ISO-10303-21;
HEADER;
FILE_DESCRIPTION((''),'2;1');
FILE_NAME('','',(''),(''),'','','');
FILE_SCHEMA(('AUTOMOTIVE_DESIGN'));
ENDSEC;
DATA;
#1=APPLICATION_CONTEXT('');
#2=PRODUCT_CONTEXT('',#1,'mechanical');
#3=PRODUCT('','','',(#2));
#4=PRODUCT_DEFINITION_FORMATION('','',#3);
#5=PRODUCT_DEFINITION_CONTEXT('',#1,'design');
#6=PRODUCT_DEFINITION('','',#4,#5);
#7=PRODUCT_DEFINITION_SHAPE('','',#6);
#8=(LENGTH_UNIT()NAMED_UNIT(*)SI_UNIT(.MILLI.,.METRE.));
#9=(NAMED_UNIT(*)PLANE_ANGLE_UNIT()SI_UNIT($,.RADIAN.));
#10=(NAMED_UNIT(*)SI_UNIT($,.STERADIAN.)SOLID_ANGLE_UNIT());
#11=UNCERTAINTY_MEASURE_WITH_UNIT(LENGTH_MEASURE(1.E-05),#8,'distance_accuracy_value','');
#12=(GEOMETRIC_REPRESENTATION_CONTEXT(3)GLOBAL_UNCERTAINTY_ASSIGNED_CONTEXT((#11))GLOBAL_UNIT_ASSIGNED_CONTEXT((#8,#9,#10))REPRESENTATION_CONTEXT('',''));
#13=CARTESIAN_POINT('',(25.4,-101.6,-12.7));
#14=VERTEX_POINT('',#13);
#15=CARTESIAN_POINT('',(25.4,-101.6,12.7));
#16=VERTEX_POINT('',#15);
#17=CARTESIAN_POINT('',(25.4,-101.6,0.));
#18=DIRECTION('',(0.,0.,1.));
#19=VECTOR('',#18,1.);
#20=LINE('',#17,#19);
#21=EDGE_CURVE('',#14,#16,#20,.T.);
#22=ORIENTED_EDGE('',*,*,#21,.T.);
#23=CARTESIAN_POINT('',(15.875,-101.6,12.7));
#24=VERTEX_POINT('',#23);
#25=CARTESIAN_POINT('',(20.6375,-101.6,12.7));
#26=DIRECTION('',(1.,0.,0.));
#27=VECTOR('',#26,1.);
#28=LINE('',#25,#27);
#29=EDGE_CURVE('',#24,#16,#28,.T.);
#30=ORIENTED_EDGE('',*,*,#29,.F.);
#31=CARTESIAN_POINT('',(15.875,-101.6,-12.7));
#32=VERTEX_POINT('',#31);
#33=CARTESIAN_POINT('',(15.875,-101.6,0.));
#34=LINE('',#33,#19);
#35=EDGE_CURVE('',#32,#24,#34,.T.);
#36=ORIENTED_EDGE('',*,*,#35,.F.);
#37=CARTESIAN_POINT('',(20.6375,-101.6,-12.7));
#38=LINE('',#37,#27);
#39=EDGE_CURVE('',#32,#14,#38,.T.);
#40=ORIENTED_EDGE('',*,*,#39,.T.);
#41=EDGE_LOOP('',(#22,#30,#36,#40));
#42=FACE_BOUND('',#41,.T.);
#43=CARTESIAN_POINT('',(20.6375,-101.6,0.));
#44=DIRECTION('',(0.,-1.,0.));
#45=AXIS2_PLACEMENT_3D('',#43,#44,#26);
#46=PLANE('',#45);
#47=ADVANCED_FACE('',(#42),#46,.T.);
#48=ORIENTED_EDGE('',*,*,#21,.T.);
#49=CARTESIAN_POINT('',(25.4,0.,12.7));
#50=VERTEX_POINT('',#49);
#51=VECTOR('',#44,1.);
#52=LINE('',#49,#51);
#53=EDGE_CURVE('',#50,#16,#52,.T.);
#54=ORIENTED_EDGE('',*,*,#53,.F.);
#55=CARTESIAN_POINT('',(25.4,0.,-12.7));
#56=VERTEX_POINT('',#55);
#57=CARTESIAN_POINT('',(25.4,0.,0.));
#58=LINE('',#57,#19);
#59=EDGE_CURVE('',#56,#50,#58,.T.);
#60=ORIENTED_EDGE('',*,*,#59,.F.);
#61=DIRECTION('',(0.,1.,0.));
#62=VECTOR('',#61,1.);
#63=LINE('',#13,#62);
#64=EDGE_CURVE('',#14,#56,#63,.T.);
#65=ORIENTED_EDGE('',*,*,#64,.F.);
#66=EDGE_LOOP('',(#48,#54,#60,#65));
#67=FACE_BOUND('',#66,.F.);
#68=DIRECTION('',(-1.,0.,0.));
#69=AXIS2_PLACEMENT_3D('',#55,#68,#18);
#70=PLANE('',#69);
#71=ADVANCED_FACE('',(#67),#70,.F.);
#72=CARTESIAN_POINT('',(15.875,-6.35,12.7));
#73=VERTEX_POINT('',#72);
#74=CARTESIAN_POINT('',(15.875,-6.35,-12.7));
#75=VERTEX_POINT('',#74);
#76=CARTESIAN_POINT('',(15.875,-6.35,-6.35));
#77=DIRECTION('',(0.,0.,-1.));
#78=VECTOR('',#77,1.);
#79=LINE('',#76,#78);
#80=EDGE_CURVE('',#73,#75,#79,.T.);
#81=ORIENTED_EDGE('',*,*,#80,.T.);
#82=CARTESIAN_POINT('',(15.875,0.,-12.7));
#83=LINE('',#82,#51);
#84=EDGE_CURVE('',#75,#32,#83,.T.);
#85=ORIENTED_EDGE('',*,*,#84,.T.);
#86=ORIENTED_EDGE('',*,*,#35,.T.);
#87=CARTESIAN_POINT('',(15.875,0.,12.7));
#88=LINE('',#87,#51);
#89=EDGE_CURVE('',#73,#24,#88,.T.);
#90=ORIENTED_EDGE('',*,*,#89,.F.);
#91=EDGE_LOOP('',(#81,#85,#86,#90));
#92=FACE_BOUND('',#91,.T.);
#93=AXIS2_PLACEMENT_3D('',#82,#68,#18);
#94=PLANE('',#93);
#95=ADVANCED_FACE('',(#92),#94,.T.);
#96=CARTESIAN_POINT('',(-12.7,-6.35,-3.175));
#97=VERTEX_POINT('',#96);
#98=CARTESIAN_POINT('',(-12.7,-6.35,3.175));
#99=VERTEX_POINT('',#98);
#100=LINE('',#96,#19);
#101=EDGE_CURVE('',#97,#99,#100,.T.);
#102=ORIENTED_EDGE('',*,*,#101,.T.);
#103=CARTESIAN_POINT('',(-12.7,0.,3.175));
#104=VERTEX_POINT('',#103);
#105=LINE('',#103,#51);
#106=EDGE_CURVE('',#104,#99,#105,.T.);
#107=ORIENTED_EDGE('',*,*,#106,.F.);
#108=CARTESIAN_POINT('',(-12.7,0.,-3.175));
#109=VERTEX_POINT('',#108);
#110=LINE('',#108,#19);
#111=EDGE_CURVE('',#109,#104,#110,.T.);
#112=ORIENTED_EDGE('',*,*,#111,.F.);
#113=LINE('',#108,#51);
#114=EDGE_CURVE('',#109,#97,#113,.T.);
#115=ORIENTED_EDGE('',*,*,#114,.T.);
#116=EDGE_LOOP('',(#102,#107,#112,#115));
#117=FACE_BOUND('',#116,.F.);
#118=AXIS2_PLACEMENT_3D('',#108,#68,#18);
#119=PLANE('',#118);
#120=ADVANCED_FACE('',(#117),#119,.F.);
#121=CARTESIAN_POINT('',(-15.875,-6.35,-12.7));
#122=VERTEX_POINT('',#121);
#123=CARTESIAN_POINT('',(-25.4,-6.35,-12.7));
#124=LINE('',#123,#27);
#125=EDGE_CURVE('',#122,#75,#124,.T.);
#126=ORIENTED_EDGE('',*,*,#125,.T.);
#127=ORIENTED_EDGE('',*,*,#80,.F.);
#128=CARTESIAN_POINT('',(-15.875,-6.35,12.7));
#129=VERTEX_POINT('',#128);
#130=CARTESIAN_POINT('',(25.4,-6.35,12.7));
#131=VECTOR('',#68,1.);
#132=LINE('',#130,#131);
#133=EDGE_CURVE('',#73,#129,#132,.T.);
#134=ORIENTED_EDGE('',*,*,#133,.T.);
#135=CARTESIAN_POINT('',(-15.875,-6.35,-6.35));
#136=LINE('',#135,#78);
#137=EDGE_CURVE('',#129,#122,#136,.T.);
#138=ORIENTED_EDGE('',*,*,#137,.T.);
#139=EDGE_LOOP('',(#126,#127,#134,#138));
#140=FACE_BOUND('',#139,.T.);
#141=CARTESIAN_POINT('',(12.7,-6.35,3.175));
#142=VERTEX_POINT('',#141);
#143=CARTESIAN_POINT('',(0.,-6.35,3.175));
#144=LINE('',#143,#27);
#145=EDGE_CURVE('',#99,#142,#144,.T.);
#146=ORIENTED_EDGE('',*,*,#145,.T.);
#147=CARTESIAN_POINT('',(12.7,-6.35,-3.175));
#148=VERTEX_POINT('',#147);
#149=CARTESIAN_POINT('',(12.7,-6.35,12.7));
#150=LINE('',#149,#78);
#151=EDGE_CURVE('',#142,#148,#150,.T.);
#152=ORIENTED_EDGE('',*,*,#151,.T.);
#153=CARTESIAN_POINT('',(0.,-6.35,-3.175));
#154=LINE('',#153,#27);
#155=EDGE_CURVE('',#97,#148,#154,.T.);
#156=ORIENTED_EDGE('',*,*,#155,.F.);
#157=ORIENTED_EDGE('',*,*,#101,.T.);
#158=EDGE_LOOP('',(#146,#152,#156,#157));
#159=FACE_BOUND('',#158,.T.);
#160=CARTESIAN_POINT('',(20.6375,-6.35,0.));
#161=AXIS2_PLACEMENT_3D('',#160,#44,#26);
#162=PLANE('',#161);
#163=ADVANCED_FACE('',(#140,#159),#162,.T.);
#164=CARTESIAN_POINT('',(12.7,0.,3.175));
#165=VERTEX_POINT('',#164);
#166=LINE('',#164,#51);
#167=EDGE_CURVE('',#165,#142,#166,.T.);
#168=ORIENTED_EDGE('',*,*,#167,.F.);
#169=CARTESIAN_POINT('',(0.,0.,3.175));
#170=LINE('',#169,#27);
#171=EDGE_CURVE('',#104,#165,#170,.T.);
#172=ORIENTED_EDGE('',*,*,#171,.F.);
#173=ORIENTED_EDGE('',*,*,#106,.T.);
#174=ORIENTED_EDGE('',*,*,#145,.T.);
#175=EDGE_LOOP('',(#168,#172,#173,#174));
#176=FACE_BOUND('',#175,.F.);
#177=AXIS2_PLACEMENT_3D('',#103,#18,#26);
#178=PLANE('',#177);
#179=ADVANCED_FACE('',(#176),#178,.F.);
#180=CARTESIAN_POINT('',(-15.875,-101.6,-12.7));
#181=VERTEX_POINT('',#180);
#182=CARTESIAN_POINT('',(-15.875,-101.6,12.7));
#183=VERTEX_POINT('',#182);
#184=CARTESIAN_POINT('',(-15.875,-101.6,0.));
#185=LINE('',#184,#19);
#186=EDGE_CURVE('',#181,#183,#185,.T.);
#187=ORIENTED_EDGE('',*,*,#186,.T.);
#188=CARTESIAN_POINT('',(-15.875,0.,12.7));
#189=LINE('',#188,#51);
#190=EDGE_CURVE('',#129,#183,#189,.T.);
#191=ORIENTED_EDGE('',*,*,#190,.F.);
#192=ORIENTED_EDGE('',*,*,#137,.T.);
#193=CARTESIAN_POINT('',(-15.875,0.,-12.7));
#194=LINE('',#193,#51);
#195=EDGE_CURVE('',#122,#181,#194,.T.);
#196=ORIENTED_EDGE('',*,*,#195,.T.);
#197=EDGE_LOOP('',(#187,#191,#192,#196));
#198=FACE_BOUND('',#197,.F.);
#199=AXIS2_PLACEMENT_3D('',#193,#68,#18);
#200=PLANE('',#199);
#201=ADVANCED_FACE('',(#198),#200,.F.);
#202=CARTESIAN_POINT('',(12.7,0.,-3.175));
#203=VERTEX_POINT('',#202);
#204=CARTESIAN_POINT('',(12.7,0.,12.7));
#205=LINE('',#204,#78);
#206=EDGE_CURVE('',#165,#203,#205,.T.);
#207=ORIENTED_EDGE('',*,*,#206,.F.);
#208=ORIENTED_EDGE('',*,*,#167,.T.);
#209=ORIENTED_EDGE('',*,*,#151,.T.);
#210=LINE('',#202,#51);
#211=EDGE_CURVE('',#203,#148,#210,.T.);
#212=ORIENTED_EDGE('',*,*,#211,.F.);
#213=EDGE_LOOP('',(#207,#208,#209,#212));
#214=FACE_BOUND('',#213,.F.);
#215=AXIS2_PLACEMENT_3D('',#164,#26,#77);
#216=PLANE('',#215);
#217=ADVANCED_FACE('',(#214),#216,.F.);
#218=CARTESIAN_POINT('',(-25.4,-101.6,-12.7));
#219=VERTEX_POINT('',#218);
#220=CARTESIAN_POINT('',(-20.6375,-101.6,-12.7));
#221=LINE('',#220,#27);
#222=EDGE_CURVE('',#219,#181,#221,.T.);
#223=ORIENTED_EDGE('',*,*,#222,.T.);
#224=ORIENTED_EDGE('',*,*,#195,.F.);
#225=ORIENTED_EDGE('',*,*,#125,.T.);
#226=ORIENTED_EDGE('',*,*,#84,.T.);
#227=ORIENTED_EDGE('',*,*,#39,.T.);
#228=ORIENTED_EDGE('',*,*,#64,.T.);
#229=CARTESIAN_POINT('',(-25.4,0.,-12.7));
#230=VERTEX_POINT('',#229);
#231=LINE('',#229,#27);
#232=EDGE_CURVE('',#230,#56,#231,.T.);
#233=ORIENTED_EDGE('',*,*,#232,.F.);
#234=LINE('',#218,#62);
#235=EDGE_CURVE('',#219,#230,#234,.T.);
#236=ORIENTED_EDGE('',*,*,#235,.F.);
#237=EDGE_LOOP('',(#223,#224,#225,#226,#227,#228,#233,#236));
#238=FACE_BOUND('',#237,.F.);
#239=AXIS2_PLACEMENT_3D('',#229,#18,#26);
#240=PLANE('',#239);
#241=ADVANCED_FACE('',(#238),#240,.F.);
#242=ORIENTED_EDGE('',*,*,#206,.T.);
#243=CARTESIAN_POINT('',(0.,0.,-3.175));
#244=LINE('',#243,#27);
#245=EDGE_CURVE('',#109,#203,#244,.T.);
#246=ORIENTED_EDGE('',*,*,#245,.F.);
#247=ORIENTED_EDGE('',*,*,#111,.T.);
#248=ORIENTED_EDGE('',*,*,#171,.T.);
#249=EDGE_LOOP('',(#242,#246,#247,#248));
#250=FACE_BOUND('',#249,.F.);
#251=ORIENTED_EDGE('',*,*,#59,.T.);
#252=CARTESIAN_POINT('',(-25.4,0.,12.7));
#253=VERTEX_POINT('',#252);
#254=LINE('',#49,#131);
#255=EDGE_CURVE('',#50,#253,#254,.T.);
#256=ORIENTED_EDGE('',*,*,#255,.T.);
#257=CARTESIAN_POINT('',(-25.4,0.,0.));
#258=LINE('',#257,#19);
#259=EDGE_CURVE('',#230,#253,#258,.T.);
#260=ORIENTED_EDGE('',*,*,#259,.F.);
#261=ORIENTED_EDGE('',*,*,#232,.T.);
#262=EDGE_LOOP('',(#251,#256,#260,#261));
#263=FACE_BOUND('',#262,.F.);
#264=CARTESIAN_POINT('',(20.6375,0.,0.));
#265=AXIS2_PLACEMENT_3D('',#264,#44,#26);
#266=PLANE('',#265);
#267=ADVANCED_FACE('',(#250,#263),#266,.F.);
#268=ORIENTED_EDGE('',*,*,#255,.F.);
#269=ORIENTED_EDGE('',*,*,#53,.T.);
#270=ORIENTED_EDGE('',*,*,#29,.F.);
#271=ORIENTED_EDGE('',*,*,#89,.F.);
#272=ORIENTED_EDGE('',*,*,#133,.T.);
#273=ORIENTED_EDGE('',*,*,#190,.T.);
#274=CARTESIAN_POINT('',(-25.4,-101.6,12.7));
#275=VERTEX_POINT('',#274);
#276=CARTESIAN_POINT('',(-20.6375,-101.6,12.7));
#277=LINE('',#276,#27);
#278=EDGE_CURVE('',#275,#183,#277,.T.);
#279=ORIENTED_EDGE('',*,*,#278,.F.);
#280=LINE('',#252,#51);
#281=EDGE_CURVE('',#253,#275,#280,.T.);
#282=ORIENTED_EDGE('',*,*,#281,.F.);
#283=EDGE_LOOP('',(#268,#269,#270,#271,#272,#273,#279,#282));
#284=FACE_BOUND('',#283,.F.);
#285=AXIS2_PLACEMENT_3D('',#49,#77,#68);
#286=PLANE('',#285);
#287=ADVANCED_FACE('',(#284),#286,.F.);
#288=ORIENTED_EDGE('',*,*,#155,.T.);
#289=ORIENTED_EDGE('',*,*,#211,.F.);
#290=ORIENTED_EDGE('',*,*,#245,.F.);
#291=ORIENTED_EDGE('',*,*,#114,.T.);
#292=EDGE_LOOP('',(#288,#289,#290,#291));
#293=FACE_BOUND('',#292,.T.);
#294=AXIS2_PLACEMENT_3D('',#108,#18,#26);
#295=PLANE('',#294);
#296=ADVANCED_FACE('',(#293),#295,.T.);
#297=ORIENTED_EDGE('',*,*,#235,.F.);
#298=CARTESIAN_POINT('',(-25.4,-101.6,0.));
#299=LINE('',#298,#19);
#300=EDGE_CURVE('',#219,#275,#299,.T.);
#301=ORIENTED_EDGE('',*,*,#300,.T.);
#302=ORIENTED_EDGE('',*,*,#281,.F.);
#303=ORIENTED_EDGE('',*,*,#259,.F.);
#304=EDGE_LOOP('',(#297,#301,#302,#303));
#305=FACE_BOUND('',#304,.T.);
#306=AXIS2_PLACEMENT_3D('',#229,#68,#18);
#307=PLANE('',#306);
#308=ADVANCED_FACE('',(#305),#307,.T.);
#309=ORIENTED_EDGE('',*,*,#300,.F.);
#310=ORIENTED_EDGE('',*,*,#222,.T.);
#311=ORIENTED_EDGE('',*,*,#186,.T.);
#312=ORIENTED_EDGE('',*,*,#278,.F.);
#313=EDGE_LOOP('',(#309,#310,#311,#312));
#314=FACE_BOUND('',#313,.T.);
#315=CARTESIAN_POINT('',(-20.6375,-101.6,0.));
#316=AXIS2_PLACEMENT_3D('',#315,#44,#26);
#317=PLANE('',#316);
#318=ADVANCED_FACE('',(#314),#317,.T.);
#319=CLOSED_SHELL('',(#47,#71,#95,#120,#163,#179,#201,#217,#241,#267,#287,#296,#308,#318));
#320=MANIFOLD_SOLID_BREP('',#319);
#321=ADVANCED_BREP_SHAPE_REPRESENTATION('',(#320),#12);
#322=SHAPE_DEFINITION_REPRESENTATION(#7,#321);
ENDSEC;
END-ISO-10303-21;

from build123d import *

# Parameters (mm, degrees)
F0_W     = 9.525
F0_H     = 25.4
F0_W_2   = 25.4
F0_H_2   = 9.525
F1_DEPTH = 6.35
F2_DEPTH = 101.6


with BuildPart() as f1:
    # F0 (on Front) → F1 (new body)
    with BuildSketch(Plane.XZ):
        with Locations((20.6375, 0)):
            Rectangle(F0_W, F0_H)
        Polygon((12.7, -12.7), (15.875, -12.7), (15.875, 12.7), (12.7, 12.7), (12.7, 3.175), (12.7, -3.175), align=None)
        with Locations((0, -7.9375)):
            Rectangle(F0_W_2, F0_H_2)
        Polygon((-15.875, -12.7), (-12.7, -12.7), (-12.7, -3.175), (-12.7, 3.175), (-12.7, 12.7), (-15.875, 12.7), align=None)
        with Locations((0, 7.9375)):
            Rectangle(F0_W_2, F0_H_2)
        with Locations((-20.6375, 0)):
            Rectangle(F0_W, F0_H)
    extrude(amount=F1_DEPTH)

    # F0 (on Front) → F2 (join)
    with BuildSketch(Plane.XZ):
        with Locations((20.6375, 0)):
            Rectangle(F0_W, F0_H)
        with Locations((-20.6375, 0)):
            Rectangle(F0_W, F0_H)
    extrude(amount=F2_DEPTH)


solid = f1.part
